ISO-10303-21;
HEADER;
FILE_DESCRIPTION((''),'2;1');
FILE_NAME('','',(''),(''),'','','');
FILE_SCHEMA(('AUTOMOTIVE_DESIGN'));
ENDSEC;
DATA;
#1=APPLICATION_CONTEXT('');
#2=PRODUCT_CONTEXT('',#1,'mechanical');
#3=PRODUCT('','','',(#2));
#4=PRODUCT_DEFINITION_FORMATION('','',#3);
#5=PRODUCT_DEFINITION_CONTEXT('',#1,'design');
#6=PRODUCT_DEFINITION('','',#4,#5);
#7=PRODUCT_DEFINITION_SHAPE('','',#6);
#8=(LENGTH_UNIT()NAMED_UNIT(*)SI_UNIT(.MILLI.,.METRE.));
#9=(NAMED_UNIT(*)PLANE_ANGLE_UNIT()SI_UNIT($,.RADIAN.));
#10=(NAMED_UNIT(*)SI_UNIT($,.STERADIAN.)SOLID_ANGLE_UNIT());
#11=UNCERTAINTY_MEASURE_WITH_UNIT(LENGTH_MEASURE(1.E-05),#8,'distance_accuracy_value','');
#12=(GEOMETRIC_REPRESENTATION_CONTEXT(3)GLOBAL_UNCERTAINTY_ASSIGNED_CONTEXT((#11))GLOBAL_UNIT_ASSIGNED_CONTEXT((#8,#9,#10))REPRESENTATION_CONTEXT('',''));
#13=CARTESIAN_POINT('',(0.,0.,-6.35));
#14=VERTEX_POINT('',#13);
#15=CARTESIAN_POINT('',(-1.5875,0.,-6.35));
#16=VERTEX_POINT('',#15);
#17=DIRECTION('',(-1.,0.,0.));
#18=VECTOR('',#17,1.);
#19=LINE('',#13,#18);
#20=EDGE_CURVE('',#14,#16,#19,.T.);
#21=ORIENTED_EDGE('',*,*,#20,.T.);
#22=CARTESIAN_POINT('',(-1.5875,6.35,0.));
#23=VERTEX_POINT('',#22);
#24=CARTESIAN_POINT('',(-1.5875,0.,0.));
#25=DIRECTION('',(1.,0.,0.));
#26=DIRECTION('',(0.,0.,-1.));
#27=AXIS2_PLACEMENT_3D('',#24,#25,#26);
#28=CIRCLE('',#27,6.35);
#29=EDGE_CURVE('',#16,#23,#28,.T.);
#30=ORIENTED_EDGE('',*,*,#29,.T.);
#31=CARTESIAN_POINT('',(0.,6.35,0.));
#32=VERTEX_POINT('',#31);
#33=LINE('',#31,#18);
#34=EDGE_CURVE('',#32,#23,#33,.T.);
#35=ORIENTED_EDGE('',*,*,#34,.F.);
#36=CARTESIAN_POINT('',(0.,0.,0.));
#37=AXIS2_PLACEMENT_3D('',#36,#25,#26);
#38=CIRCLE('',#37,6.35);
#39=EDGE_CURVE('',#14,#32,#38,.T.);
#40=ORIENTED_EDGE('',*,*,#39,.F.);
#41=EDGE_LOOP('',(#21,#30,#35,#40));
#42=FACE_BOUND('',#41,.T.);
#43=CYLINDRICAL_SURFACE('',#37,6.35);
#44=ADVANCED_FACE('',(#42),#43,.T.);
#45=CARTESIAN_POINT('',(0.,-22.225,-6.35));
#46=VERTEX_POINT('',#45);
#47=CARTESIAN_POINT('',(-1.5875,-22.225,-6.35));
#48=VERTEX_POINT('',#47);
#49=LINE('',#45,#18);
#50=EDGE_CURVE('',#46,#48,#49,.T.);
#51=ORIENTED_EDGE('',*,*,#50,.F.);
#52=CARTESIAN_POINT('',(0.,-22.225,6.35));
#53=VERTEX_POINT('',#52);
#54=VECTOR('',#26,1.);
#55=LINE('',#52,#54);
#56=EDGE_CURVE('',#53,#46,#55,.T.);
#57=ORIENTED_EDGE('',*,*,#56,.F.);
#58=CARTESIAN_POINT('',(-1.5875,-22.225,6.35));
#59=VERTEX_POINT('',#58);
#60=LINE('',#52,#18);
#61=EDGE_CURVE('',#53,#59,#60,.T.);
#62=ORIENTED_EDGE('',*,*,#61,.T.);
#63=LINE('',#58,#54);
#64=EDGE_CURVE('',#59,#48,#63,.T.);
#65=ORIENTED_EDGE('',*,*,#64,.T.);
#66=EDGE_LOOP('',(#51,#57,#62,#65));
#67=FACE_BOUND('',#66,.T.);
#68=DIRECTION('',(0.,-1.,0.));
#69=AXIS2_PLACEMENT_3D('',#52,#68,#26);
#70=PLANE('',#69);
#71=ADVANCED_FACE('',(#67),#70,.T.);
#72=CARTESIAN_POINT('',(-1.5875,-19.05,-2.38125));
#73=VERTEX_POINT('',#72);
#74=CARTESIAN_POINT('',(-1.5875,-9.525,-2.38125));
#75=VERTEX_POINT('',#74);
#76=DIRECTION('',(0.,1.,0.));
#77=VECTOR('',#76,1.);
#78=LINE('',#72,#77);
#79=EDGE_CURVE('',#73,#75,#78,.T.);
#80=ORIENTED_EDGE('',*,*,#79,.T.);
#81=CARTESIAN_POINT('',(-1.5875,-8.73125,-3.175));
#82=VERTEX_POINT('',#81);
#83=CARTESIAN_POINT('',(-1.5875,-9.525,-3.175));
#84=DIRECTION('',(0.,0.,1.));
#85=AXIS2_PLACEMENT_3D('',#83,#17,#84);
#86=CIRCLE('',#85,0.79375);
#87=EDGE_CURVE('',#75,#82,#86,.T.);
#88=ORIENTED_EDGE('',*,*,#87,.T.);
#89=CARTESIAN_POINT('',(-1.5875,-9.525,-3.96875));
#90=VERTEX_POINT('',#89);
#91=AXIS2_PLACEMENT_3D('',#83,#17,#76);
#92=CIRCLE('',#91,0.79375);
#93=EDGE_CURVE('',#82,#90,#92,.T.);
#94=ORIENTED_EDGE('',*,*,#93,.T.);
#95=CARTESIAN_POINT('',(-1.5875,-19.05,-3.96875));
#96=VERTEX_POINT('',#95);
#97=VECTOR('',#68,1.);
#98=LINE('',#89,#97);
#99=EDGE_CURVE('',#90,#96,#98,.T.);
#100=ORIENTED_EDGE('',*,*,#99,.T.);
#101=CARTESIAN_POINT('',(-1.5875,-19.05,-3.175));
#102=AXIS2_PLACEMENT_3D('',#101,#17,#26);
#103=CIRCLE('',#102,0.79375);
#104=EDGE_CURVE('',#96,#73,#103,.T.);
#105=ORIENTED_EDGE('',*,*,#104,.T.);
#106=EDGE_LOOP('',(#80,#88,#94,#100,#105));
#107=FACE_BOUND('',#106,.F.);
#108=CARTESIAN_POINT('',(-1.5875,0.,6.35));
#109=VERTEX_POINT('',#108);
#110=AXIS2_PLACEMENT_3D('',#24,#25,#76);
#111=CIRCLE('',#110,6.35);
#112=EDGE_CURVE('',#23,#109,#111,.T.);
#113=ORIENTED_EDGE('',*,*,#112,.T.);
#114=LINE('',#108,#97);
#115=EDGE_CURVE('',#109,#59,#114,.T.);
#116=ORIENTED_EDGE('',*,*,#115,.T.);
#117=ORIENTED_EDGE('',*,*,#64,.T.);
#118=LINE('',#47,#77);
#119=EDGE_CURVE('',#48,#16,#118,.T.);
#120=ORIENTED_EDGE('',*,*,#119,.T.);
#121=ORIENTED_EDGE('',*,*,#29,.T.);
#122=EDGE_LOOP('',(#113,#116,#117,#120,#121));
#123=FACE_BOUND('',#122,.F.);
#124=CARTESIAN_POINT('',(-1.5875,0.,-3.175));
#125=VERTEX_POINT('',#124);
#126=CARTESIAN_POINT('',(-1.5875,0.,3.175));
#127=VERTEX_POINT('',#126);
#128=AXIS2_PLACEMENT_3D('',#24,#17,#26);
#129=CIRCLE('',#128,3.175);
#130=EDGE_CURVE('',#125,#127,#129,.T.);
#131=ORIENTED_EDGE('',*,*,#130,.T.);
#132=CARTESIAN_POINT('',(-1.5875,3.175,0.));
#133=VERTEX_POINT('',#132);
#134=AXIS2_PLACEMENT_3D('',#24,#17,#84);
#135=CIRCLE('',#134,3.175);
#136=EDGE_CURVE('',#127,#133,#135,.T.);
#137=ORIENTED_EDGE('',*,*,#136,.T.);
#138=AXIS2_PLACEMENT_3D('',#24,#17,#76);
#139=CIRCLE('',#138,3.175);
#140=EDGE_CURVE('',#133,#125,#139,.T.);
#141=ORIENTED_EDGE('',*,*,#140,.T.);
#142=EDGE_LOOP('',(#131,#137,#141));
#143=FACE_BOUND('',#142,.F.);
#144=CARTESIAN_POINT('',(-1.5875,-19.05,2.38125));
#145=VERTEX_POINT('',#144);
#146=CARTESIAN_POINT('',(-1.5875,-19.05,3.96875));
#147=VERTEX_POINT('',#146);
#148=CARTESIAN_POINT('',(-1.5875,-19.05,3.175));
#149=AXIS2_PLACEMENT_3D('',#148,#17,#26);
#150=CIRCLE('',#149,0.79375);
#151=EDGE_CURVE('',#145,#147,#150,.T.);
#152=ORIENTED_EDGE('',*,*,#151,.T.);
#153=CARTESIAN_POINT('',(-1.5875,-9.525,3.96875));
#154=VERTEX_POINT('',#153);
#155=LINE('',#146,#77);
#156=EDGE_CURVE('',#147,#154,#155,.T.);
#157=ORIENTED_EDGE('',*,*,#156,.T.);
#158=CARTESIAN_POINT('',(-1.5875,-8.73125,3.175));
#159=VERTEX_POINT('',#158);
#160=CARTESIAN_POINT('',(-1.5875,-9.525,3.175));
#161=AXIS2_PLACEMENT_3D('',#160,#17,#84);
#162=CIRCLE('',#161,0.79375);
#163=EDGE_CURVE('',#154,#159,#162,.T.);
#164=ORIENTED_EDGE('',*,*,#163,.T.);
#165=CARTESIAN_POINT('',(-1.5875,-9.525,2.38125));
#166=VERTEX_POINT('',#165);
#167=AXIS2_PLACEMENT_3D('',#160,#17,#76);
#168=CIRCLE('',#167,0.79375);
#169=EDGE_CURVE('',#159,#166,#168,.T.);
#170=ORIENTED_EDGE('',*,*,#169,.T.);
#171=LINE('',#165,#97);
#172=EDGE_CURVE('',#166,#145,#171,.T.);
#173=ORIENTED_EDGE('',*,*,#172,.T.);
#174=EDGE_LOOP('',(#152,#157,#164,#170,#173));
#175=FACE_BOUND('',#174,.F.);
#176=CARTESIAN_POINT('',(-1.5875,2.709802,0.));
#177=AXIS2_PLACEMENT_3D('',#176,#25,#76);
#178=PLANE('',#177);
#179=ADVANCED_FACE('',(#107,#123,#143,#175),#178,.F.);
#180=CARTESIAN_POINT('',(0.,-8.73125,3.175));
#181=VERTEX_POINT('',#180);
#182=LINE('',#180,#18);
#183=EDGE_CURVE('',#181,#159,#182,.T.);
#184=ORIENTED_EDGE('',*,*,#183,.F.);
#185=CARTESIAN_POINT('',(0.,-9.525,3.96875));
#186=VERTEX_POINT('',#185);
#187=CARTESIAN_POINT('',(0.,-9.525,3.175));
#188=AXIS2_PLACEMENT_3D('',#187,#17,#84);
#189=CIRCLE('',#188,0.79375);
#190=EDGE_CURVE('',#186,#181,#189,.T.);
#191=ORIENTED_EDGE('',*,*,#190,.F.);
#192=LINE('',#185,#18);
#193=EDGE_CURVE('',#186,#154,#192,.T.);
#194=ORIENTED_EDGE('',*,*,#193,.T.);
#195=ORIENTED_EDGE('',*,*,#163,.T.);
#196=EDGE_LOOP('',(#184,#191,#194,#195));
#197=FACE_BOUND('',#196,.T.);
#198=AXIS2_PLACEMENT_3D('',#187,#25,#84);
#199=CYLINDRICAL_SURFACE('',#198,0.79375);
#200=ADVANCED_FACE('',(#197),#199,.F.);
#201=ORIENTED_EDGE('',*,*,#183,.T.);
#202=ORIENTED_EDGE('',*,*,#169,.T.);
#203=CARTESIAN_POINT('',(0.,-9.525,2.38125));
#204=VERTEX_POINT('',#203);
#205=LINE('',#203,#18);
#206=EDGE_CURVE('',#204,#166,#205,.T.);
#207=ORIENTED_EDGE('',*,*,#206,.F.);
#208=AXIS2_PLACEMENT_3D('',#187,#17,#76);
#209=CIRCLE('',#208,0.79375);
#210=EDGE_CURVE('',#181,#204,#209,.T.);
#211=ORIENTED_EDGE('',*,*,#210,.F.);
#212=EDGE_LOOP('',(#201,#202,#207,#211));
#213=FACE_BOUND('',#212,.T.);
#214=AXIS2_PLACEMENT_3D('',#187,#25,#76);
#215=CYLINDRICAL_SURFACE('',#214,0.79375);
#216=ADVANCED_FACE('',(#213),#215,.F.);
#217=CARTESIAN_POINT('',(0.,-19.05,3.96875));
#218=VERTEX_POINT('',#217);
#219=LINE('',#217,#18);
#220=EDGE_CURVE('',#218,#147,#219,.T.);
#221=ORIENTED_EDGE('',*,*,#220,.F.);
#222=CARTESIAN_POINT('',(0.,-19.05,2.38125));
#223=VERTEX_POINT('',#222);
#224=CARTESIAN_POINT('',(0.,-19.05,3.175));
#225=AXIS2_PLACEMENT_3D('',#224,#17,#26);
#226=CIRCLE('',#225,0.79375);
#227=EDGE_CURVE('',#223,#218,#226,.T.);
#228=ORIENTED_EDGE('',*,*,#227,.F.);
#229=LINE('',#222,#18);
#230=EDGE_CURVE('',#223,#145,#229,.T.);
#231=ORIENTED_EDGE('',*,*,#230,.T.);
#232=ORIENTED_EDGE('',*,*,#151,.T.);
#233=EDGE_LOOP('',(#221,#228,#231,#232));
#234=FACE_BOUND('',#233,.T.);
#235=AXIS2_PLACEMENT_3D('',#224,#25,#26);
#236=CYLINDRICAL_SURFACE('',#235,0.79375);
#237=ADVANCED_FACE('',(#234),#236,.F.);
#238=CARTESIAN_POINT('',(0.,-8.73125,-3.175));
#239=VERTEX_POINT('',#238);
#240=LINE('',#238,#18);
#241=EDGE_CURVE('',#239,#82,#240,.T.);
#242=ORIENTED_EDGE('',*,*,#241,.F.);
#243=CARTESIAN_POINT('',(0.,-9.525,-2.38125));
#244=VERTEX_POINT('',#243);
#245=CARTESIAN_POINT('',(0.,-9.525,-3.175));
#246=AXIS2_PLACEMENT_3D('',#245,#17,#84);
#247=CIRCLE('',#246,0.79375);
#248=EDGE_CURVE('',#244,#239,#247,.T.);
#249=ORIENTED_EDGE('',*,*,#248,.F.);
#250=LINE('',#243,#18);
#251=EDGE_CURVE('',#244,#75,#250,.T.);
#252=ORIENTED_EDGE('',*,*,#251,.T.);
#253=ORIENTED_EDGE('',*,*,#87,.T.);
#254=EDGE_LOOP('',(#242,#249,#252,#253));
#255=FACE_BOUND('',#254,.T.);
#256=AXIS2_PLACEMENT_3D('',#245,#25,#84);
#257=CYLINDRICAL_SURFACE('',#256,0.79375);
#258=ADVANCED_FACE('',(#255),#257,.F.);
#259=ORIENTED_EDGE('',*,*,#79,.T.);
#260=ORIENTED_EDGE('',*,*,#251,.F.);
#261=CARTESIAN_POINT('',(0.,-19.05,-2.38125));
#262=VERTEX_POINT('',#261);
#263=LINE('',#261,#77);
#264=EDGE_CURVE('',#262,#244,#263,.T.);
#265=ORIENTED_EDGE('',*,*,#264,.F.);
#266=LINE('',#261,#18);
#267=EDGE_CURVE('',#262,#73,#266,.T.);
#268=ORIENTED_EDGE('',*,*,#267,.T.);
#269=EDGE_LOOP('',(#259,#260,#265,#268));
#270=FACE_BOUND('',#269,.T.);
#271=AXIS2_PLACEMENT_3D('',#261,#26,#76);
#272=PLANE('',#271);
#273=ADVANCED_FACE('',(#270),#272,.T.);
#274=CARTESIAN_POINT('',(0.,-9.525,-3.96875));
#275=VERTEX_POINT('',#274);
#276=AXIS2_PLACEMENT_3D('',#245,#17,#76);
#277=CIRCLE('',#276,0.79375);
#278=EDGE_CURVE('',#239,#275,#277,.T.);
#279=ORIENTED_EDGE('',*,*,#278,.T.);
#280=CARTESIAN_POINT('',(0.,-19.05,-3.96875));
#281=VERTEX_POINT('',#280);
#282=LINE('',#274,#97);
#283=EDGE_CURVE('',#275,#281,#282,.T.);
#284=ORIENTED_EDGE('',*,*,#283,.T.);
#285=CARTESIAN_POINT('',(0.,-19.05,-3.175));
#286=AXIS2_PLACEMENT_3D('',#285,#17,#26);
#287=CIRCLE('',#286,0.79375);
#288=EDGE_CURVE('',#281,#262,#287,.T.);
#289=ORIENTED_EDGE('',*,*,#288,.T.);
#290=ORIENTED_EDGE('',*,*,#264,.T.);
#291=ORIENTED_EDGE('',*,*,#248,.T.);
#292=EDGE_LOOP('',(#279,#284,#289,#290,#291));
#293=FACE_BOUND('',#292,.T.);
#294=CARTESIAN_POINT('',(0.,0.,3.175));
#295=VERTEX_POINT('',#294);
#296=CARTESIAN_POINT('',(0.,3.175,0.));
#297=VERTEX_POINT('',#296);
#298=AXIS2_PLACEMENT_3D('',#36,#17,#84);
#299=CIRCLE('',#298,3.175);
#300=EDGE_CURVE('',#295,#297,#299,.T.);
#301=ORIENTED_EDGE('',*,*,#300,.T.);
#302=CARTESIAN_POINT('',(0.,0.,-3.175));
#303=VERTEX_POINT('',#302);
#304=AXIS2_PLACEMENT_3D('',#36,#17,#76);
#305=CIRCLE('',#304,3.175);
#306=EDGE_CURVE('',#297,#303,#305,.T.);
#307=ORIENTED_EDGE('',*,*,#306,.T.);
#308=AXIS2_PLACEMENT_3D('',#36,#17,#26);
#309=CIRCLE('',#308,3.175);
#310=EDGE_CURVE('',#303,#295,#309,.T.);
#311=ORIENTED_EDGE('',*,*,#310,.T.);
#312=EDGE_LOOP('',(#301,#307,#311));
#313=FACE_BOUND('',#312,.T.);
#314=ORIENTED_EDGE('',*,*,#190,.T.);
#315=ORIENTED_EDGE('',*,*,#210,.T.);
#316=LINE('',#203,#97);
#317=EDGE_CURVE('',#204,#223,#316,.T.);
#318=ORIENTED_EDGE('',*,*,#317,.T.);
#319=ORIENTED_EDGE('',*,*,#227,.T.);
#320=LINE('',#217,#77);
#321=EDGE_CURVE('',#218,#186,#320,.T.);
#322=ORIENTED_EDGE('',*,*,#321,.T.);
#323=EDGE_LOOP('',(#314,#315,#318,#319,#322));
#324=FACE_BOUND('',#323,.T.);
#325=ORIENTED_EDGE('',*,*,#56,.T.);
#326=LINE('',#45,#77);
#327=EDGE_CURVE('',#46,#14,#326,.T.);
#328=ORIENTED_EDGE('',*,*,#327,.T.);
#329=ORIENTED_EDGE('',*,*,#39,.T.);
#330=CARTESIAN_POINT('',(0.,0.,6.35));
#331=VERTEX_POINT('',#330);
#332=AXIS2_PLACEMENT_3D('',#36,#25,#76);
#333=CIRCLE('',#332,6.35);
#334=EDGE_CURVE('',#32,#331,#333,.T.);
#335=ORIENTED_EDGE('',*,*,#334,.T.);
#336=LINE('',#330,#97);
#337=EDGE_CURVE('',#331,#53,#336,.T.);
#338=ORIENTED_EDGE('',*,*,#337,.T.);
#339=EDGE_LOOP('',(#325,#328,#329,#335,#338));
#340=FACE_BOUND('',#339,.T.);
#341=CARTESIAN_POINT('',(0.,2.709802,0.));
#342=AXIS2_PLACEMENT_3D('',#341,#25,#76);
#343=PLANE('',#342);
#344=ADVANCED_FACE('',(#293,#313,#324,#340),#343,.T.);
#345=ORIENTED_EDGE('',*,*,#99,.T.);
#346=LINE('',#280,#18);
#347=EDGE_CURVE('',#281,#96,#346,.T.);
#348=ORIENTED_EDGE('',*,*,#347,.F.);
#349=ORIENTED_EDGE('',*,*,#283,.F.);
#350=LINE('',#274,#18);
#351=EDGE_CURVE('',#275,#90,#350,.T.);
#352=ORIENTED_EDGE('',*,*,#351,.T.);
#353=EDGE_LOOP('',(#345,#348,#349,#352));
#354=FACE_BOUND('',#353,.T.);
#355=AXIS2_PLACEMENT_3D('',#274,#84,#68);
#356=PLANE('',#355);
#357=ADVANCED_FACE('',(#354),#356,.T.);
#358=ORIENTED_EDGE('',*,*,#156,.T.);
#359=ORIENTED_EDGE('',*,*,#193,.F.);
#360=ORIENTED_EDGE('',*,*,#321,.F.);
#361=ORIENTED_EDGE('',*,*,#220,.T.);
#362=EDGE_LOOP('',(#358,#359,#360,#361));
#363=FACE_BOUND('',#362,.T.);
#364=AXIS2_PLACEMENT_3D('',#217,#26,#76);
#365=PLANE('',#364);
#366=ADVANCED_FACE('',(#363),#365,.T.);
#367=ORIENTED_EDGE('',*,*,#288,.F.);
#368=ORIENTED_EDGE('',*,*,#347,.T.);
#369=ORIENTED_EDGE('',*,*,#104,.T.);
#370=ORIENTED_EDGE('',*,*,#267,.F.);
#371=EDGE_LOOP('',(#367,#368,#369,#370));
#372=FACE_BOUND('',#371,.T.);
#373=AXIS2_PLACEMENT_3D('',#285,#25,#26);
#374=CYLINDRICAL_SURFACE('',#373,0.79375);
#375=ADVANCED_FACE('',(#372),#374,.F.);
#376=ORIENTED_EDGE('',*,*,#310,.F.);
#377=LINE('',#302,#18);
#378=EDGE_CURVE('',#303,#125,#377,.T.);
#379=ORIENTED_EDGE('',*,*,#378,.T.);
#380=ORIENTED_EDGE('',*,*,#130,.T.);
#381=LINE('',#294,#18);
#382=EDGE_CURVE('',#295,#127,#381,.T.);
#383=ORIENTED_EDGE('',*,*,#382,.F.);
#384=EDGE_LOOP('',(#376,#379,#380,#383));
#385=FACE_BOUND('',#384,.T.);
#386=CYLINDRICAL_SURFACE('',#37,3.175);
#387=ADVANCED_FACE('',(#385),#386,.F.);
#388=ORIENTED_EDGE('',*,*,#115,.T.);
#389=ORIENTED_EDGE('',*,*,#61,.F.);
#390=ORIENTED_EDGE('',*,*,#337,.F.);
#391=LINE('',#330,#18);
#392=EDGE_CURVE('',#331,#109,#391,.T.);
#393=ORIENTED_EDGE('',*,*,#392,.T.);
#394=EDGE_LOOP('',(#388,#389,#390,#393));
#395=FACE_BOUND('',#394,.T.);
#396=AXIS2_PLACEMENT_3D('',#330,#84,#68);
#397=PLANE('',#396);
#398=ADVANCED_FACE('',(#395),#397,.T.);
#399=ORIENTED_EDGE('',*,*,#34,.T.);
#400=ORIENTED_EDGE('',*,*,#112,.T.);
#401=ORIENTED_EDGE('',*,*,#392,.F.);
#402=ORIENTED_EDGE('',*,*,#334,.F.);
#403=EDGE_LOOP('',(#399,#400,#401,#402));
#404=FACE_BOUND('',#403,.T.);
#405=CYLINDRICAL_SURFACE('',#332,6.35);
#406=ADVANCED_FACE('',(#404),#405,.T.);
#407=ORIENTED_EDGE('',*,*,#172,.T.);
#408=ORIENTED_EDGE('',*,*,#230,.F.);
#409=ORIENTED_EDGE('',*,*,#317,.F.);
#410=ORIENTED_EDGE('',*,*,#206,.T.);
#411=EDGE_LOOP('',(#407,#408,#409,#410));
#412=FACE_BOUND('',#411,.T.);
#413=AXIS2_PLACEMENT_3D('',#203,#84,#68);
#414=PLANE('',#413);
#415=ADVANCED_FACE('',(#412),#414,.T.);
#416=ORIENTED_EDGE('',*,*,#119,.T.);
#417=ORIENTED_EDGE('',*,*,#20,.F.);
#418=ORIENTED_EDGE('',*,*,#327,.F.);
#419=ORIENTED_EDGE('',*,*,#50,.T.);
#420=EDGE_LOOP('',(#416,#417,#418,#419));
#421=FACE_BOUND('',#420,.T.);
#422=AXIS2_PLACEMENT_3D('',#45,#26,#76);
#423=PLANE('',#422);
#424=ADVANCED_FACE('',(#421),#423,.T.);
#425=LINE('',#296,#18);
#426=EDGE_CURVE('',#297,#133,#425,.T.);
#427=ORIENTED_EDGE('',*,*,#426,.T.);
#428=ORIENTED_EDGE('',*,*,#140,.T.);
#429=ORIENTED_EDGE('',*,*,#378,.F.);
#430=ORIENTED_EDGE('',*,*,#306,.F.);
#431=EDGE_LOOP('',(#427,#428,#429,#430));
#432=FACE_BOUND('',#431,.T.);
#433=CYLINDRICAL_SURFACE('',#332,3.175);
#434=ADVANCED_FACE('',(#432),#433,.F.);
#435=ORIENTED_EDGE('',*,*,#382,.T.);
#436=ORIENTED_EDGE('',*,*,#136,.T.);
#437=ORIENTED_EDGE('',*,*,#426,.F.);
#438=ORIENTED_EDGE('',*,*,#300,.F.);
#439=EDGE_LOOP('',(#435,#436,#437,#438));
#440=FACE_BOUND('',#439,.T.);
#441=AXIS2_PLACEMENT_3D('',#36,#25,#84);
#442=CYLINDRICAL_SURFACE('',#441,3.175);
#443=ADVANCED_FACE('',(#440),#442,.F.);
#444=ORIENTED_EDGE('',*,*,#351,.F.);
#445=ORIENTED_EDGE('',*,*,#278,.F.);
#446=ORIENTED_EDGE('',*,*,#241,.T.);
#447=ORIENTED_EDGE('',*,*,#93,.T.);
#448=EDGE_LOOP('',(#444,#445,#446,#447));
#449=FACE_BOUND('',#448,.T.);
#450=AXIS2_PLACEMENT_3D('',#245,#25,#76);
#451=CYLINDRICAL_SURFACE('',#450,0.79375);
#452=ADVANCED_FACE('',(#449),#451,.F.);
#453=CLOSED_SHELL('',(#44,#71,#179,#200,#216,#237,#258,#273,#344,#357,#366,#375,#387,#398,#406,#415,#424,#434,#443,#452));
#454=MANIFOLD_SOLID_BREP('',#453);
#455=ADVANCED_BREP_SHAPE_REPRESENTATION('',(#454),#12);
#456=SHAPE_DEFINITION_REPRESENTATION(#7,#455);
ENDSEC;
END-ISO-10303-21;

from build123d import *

# Parameters (mm, degrees)
F1_DEPTH = 1.5875


with BuildPart() as f1:
    # F0 (on Right) → F1 (new body)
    with BuildSketch(Plane.YZ):
        with BuildLine():
            ThreePointArc((0, -6.35), (4.4901280605, -4.4901280605), (6.35, 0))
            ThreePointArc((6.35, 0), (4.4901280605, 4.4901280605), (0, 6.35))
            Line((0, 6.35), (0, 3.175))
            ThreePointArc((0, 3.175), (2.2450640303, 2.2450640303), (3.175, 0))
            ThreePointArc((3.175, 0), (2.2450640303, -2.2450640303), (0, -3.175))
            Line((0, -3.175), (0, -6.35))
        make_face()
        with BuildLine():
            Line((0, 3.175), (0, 6.35))
            ThreePointArc((0, 6.35), (-6.35, 0), (0, -6.35))
            Line((0, -6.35), (0, -3.175))
            ThreePointArc((0, -3.175), (-3.175, 0), (0, 3.175))
        make_face()
        with BuildLine():
            ThreePointArc((0, -6.35), (-6.35, 0), (0, 6.35))
            Line((0, 6.35), (-22.225, 6.35))
            Line((-22.225, 6.35), (-22.225, -6.35))
            Line((-22.225, -6.35), (0, -6.35))
        make_face()
        with BuildLine():
            ThreePointArc((-9.525, -2.38125), (-8.9637339924, -2.6137339924), (-8.73125, -3.175))
            ThreePointArc((-8.73125, -3.175), (-8.9637339924, -3.7362660076), (-9.525, -3.96875))
            Line((-9.525, -3.96875), (-19.05, -3.96875))
            ThreePointArc((-19.05, -3.96875), (-19.84375, -3.175), (-19.05, -2.38125))
            Line((-19.05, -2.38125), (-9.525, -2.38125))
        make_face(mode=Mode.SUBTRACT)
        with BuildLine():
            ThreePointArc((-19.05, 2.38125), (-19.84375, 3.175), (-19.05, 3.96875))
            Line((-19.05, 3.96875), (-9.525, 3.96875))
            ThreePointArc((-9.525, 3.96875), (-8.9637339924, 3.7362660076), (-8.73125, 3.175))
            ThreePointArc((-8.73125, 3.175), (-8.9637339924, 2.6137339924), (-9.525, 2.38125))
            Line((-9.525, 2.38125), (-19.05, 2.38125))
        make_face(mode=Mode.SUBTRACT)
    extrude(amount=-F1_DEPTH)


solid = f1.part
